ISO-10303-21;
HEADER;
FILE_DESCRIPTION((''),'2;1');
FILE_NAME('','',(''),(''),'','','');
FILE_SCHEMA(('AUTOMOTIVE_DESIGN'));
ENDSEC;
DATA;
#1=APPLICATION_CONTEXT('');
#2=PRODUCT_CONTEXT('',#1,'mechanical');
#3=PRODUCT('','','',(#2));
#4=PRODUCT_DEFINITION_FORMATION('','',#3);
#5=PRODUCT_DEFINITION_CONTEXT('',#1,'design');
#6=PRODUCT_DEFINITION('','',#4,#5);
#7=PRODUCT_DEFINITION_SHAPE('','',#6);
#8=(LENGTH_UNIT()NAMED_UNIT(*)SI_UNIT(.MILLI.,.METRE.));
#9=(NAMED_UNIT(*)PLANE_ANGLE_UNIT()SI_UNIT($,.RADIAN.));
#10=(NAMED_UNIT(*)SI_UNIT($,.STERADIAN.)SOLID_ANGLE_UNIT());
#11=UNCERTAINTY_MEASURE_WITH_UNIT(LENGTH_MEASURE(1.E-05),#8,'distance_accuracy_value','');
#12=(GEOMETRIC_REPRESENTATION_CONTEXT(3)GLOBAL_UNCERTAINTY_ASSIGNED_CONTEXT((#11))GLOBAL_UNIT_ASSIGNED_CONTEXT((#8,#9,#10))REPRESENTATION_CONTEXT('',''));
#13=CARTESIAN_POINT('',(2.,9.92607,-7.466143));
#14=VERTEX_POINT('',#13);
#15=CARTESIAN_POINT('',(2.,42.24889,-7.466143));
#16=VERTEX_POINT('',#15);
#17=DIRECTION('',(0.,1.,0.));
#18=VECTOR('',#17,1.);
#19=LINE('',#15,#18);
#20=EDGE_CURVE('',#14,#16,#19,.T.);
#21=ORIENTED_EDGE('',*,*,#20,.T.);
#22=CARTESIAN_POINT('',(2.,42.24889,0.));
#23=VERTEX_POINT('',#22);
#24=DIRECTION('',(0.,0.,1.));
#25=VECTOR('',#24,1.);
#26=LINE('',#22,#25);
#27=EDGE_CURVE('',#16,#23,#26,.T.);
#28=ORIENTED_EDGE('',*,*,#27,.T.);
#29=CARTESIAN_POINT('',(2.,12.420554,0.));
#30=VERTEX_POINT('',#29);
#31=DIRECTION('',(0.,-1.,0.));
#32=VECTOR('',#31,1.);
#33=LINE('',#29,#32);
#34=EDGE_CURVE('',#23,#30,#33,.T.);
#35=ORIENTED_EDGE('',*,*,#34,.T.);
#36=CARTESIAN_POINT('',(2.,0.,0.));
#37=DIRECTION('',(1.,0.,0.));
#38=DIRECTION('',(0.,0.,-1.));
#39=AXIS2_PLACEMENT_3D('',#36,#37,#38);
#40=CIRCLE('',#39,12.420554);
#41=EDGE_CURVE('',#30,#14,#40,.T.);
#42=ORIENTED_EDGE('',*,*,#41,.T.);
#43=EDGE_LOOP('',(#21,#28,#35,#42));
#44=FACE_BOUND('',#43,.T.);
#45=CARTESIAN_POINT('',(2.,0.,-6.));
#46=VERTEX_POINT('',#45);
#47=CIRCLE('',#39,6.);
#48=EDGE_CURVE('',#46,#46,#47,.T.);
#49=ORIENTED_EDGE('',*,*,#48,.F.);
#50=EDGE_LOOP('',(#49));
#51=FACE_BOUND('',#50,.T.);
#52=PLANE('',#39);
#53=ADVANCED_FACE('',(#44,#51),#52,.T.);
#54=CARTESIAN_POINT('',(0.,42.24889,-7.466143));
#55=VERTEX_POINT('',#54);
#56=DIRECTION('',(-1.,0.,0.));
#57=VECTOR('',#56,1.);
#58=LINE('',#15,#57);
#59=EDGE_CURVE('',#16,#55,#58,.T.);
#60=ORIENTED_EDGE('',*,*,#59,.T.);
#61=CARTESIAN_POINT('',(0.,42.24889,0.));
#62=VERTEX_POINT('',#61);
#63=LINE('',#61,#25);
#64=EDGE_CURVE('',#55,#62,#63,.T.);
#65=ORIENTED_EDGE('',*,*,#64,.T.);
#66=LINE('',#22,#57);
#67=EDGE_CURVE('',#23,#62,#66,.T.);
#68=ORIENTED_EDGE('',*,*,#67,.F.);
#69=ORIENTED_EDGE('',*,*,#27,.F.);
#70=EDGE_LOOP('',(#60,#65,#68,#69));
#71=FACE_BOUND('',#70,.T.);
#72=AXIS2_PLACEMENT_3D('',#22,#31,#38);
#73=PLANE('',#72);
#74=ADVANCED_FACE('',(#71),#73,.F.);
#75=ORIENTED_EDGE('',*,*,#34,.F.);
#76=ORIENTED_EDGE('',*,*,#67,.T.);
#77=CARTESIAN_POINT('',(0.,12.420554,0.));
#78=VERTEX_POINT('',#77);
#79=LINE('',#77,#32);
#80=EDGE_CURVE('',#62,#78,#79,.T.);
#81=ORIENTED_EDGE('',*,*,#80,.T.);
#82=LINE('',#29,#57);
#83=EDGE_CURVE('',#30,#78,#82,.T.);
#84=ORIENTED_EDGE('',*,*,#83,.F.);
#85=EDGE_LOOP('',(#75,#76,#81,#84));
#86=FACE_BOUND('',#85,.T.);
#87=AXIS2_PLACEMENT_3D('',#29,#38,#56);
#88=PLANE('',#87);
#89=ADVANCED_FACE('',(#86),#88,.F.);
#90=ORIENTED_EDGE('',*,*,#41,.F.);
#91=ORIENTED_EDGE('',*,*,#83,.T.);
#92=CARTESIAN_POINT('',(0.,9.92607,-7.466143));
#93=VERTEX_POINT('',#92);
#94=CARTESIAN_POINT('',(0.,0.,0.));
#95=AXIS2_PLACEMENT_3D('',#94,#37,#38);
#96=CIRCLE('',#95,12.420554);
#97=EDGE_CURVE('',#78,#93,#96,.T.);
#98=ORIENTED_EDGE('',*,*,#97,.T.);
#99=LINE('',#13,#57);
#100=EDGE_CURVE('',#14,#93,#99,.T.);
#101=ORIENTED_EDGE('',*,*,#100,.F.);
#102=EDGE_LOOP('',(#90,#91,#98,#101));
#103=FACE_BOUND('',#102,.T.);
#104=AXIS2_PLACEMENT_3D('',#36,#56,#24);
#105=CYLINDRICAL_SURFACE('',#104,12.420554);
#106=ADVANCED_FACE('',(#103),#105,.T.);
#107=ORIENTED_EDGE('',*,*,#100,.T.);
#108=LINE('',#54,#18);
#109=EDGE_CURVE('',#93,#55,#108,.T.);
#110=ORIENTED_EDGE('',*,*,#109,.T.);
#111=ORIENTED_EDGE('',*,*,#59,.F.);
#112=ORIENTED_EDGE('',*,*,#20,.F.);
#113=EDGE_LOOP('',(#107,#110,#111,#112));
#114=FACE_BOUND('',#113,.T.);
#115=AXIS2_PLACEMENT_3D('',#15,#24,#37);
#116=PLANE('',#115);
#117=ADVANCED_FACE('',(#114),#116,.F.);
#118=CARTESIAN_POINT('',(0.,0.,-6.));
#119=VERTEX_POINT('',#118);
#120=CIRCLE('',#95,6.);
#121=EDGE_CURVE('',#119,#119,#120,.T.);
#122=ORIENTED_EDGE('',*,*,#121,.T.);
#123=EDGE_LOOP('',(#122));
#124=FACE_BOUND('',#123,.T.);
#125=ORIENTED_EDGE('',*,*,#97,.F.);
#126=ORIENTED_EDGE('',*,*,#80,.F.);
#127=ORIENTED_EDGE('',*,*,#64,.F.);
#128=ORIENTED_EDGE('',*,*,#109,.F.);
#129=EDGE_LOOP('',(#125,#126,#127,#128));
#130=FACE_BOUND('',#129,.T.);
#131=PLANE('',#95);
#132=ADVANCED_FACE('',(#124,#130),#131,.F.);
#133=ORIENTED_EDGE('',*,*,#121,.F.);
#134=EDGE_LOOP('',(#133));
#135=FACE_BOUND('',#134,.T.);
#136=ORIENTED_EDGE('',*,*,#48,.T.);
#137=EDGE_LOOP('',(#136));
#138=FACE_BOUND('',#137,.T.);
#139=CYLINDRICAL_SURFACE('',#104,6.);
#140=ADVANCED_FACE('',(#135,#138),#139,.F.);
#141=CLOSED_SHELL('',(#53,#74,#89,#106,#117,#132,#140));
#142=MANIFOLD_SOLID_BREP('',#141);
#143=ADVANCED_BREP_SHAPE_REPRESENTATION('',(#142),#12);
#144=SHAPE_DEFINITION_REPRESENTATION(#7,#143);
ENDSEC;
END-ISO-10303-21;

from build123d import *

# Parameters (mm, degrees)
SKETCH_1_R      = 6
EXTRUDE_1_DEPTH = 2


with BuildPart() as part:
    # 草图1 → 凸台-拉伸1 (new body)
    with BuildSketch(Plane(origin=(0, 0, 0), x_dir=(0, 0, -1), z_dir=(1, 0, 0))):
        with BuildLine():
            Line((0, 12.420554127), (0, 42.248889833))
            Line((0, 42.248889833), (7.466143224, 42.248889833))
            Line((7.466143224, 42.248889833), (7.466143224, 9.926070229))
            ThreePointArc((7.466143224, 9.926070229), (-3.935916176, -11.780438391), (0, 12.420554127))
        make_face()
        Circle(SKETCH_1_R, mode=Mode.SUBTRACT)
    extrude(amount=EXTRUDE_1_DEPTH)


solid = part.part
